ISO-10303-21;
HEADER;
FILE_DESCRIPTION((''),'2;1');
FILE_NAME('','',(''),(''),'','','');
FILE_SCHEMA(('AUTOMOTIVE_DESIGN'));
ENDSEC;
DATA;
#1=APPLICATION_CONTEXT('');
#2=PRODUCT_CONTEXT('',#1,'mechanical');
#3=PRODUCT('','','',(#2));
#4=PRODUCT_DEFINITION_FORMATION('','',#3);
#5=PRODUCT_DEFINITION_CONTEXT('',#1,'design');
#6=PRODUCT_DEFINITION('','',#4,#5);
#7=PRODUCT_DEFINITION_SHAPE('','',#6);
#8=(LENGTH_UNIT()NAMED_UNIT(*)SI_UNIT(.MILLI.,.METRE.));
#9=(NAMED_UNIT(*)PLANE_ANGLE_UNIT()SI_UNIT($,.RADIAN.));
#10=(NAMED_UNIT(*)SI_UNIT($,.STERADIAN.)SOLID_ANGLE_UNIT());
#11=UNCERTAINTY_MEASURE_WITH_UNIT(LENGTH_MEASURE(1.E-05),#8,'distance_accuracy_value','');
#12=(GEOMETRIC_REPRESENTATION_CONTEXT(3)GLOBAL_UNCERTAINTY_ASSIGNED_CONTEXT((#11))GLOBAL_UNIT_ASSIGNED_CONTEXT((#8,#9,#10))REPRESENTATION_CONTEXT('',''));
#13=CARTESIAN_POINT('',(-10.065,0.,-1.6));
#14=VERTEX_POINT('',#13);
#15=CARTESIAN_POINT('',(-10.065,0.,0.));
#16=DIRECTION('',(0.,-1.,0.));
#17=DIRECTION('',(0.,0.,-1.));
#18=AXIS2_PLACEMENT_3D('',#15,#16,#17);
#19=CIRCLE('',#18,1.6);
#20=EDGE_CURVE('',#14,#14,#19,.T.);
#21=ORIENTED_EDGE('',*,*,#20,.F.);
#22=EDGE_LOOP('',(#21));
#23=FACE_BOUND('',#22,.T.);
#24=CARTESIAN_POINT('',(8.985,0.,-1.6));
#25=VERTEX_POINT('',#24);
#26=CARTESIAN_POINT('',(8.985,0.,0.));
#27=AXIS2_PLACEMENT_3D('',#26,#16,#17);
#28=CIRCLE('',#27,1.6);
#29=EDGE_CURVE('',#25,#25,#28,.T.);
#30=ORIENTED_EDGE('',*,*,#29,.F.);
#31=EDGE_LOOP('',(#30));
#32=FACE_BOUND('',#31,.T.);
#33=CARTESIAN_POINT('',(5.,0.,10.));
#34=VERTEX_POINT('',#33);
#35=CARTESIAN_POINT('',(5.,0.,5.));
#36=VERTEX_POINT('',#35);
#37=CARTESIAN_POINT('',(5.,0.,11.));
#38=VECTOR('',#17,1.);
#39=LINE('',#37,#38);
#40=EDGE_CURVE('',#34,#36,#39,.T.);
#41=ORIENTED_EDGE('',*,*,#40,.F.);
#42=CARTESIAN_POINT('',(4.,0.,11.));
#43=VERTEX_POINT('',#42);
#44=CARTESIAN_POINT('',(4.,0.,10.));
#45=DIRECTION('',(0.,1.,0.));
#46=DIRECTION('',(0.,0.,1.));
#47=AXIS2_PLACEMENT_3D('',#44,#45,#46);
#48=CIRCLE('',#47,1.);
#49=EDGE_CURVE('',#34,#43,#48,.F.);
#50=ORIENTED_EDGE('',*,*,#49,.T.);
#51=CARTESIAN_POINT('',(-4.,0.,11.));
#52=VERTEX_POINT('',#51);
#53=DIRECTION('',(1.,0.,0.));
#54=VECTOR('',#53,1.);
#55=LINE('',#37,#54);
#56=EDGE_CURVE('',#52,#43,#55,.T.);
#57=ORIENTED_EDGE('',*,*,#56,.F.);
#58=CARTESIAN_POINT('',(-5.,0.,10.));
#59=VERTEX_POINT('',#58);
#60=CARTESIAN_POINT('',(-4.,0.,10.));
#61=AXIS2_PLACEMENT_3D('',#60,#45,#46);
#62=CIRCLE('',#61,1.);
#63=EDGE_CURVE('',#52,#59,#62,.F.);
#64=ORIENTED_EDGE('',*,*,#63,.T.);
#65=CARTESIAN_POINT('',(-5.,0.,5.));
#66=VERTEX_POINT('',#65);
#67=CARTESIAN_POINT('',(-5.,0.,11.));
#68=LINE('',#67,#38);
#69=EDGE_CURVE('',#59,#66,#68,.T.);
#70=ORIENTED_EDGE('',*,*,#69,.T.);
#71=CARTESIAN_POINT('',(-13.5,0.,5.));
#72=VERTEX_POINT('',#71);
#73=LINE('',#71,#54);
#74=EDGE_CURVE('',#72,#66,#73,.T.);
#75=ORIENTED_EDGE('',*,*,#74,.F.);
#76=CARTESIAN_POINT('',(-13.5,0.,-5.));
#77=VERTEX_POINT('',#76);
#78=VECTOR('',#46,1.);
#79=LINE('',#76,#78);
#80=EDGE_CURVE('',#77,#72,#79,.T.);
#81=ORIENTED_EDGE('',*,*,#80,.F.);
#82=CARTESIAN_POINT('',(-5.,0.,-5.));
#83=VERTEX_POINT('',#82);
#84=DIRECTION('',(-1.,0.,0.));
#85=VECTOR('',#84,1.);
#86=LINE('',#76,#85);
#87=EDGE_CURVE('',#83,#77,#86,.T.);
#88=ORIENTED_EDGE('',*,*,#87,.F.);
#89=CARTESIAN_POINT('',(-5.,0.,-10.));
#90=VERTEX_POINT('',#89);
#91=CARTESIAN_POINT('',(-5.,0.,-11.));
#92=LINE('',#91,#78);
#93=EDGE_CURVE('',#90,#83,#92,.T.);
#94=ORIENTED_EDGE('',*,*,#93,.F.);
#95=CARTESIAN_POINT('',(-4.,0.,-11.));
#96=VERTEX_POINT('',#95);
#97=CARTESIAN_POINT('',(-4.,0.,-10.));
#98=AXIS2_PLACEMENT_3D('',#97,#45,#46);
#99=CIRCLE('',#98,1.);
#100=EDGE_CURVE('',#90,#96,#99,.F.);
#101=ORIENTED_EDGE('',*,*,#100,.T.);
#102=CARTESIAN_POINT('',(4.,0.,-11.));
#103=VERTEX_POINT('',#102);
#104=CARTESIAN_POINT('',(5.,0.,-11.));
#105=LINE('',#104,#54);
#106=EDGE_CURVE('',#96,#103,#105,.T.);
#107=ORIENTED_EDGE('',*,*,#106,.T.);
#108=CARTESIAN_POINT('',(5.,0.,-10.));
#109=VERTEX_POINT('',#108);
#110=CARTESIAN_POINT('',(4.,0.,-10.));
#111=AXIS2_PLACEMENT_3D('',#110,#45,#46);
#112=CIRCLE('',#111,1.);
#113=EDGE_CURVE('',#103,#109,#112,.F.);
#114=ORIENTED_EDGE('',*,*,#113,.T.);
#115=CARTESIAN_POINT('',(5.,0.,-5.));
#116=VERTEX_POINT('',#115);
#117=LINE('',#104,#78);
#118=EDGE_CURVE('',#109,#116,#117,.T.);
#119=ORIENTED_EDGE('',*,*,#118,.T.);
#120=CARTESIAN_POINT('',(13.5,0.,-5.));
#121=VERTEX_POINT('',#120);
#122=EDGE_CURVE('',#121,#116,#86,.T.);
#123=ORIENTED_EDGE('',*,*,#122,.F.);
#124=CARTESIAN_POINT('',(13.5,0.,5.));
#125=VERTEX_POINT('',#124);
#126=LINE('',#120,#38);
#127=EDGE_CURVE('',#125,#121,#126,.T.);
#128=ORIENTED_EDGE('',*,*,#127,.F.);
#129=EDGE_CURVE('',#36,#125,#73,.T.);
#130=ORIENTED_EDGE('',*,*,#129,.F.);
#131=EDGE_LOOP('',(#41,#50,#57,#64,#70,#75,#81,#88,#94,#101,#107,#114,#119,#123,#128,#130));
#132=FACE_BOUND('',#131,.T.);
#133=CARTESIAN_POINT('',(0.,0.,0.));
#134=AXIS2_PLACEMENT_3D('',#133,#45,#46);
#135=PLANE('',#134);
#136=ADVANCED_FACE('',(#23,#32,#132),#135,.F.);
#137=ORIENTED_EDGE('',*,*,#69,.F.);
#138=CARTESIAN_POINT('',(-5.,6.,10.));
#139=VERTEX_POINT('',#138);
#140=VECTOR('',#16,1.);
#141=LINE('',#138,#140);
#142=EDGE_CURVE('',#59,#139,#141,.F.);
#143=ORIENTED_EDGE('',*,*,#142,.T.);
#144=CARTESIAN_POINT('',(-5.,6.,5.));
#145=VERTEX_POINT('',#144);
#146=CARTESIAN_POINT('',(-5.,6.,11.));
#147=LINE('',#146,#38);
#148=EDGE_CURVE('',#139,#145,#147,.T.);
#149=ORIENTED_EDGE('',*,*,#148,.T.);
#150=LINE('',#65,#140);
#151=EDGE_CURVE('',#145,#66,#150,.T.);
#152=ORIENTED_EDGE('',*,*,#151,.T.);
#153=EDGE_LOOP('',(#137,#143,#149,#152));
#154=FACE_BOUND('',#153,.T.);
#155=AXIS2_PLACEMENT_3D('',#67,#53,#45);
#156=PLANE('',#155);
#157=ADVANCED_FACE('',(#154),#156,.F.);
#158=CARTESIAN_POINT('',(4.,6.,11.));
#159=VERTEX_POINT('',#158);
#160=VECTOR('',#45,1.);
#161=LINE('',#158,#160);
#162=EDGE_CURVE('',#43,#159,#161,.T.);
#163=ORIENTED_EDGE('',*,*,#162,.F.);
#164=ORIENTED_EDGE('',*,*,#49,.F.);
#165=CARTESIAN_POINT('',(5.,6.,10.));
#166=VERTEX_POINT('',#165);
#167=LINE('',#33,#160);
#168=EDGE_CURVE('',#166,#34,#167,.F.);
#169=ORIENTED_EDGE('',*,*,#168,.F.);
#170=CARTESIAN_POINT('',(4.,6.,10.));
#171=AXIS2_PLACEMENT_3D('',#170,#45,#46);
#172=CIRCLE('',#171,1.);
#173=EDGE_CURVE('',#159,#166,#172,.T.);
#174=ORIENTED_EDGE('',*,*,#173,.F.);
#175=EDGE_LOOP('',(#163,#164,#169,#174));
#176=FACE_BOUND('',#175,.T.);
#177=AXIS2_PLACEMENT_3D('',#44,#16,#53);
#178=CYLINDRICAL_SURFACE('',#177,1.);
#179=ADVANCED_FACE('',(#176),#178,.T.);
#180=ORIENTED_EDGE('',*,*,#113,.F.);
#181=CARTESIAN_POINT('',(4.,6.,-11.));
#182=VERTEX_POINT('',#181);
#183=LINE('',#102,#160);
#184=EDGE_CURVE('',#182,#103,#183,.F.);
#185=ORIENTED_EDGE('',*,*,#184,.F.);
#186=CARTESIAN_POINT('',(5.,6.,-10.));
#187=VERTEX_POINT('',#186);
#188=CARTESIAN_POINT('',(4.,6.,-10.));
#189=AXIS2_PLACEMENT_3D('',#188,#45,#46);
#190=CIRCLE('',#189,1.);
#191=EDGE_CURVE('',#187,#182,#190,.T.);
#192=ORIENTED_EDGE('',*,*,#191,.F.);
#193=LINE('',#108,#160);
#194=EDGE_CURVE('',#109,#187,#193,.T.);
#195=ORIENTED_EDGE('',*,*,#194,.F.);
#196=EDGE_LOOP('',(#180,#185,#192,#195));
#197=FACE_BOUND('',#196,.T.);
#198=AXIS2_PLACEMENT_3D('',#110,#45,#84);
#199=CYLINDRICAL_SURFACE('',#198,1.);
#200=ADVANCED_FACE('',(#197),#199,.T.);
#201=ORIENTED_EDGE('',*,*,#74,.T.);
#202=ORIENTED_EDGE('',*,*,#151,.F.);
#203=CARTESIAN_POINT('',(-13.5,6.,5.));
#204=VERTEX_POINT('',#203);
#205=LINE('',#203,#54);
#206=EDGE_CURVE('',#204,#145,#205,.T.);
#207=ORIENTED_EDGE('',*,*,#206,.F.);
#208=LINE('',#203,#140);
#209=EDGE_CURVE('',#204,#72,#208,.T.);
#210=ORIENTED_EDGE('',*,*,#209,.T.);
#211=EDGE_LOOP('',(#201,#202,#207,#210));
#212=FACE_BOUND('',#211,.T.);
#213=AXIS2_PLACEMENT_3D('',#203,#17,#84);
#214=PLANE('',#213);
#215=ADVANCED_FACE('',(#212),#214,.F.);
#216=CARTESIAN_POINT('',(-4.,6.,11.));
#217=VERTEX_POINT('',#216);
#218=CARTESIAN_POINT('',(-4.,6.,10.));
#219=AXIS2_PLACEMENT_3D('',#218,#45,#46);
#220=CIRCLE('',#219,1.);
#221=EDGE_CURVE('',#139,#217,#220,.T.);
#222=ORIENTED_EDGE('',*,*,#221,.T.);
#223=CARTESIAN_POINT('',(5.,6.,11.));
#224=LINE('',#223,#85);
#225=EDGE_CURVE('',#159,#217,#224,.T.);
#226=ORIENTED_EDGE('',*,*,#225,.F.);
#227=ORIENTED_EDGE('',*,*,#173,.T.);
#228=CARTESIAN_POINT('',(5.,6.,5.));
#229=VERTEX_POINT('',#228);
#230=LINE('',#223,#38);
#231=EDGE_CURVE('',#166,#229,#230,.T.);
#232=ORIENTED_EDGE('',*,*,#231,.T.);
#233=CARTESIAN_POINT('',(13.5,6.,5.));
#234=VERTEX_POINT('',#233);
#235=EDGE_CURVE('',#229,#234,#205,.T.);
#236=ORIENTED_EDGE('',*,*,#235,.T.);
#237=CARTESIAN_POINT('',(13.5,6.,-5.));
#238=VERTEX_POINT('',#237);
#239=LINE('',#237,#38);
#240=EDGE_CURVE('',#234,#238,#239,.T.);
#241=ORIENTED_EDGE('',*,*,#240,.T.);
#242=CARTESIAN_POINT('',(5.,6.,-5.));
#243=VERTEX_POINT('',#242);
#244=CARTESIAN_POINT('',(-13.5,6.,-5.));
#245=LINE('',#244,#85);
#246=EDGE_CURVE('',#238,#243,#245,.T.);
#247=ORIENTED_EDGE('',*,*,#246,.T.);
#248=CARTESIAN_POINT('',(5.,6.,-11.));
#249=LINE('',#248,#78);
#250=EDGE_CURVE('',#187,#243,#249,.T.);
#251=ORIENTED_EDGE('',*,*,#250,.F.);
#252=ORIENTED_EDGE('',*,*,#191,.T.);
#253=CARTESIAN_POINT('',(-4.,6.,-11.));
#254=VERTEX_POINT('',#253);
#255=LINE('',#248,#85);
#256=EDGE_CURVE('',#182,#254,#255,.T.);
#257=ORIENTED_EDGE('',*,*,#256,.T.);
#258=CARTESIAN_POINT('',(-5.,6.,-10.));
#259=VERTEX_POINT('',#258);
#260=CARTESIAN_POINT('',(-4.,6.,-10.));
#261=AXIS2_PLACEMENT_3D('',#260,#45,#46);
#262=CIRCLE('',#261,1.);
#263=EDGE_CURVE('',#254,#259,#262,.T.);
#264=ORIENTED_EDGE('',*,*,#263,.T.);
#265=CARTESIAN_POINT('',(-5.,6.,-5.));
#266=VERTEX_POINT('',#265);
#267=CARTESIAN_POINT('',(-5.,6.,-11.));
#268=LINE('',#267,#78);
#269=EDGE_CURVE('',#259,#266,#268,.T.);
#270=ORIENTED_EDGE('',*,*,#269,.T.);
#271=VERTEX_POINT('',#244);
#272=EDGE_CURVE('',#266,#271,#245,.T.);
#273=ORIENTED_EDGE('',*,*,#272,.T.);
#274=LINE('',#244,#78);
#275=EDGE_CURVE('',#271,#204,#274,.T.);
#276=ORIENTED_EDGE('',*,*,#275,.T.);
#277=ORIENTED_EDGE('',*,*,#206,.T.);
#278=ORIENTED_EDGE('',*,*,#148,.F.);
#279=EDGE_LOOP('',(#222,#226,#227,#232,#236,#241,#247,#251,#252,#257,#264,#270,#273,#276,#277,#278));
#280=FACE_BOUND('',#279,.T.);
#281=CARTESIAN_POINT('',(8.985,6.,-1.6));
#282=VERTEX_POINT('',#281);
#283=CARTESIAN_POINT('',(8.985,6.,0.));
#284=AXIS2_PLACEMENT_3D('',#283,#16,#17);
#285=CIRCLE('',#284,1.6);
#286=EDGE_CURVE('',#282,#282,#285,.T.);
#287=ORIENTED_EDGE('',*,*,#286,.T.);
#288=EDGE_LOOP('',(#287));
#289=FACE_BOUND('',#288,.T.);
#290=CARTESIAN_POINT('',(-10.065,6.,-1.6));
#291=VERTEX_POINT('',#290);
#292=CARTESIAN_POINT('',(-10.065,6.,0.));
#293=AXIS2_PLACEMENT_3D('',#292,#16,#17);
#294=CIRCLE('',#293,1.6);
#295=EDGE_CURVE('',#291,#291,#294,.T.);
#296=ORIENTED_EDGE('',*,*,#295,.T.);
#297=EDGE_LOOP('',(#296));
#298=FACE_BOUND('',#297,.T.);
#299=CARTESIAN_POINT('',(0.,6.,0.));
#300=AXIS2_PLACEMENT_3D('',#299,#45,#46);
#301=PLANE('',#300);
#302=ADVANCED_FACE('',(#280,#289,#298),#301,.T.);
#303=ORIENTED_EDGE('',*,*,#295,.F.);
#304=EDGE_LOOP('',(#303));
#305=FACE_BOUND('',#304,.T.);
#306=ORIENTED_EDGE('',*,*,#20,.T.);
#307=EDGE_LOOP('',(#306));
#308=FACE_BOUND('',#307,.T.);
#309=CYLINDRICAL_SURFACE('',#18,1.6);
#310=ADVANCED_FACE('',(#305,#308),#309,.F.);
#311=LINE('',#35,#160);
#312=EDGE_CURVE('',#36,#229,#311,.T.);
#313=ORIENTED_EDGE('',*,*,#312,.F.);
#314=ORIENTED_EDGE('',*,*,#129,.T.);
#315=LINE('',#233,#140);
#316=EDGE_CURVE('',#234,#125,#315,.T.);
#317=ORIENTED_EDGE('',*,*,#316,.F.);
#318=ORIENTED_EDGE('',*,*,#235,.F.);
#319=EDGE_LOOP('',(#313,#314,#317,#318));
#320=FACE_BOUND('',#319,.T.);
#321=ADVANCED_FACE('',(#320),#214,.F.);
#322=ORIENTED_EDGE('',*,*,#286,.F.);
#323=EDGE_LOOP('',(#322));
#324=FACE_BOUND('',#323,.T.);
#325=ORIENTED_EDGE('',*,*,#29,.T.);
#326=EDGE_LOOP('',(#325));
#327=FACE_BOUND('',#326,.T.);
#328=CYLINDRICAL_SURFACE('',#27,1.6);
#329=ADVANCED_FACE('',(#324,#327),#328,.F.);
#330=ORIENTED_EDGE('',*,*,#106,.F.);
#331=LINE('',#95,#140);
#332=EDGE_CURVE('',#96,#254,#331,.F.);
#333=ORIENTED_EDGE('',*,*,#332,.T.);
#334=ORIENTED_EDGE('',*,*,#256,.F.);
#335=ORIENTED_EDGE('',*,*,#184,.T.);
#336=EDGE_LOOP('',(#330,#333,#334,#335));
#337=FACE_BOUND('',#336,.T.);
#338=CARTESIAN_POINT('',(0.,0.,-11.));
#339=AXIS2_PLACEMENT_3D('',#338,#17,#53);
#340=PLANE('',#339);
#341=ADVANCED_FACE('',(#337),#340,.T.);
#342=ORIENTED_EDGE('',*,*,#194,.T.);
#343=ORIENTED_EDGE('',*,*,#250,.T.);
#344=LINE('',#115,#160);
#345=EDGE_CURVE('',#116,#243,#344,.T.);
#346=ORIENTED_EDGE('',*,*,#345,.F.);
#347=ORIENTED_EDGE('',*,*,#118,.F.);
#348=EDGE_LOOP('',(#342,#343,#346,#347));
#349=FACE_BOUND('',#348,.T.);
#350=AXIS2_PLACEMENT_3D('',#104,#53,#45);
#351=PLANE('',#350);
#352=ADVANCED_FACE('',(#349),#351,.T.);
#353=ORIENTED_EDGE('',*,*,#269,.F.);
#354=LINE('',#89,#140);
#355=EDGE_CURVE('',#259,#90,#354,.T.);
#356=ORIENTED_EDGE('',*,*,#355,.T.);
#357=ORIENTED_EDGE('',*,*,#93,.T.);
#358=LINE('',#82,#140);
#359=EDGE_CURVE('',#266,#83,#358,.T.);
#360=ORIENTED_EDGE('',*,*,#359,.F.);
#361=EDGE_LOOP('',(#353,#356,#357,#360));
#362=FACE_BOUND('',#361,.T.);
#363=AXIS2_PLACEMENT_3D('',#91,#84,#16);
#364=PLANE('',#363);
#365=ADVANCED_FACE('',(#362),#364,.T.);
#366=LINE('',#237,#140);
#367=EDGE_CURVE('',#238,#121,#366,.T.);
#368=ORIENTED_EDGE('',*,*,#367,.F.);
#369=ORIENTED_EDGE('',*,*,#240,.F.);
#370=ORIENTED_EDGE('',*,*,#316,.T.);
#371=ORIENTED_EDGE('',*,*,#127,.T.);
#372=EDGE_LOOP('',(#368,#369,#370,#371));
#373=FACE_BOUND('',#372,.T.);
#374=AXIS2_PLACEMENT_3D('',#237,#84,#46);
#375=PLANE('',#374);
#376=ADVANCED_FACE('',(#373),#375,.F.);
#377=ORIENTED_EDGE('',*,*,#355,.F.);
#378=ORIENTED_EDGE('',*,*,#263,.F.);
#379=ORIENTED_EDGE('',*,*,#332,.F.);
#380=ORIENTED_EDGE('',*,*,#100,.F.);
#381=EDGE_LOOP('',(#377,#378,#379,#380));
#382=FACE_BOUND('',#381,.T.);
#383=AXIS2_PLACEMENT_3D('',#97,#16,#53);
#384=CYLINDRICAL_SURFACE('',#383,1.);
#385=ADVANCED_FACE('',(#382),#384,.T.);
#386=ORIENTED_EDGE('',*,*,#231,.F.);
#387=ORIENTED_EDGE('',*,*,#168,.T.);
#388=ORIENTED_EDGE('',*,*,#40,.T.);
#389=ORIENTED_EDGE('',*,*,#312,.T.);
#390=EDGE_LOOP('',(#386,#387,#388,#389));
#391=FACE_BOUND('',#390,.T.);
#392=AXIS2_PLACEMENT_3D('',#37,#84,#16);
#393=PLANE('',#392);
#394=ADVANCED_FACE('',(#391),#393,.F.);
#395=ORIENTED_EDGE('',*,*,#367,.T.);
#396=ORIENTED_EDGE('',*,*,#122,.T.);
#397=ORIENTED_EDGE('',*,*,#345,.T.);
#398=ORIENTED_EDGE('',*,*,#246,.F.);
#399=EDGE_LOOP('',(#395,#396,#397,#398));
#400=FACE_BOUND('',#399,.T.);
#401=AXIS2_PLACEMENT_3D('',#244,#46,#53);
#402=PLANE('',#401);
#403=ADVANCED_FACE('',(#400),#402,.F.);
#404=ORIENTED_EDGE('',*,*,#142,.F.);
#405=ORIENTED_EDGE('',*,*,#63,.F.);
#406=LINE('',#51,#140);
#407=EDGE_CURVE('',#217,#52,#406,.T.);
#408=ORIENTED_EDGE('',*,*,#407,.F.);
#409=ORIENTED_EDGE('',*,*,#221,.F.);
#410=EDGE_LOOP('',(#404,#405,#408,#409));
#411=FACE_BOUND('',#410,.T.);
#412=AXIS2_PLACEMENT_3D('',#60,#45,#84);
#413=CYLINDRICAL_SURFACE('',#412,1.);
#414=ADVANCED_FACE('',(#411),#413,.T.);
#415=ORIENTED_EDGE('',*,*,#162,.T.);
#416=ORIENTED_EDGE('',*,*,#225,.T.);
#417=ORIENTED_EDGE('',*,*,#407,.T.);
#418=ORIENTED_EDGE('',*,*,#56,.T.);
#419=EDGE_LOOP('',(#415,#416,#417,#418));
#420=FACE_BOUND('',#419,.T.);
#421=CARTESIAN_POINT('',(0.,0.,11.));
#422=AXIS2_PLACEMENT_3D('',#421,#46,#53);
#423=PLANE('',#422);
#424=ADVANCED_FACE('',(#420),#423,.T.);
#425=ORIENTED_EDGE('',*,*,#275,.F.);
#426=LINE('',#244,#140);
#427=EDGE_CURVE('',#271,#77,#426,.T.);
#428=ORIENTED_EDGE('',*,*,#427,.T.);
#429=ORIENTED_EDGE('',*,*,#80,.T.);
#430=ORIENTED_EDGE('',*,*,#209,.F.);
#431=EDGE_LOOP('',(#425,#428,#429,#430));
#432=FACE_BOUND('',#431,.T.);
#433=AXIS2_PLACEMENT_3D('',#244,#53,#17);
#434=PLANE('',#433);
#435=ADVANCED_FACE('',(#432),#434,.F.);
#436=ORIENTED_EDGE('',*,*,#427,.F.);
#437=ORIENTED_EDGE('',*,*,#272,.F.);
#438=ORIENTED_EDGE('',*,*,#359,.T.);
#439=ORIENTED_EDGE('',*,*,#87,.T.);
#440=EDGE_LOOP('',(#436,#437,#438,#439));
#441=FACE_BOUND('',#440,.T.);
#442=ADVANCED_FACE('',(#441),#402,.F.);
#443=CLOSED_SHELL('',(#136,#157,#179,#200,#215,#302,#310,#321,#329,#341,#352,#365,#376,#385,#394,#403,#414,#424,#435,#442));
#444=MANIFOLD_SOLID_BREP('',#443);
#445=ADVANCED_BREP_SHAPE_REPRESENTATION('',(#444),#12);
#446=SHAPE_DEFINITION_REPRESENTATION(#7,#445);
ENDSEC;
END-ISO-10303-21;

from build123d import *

# Parameters (mm, degrees)
SKETCH1_W              = 27
SKETCH1_H              = 10
BOSS_EXTRUDE1_DEPTH    = 6
M3_CLEARANCE_HOLE1_D   = 3.2
SKETCH234_W            = 10
SKETCH234_H            = 6
BOSS_EXTRUDE234_DEPTH  = 6
FILLET134_R            = 1
FILLET134_OF_MIRROR1_R = 1


with BuildPart() as part:
    # Sketch1 → Boss-Extrude1 (new body)
    with BuildSketch(Plane(origin=(0, 0, 0), x_dir=(1, 0, 0), z_dir=(0, 1, 0))):
        Rectangle(SKETCH1_W, SKETCH1_H)
    extrude(amount=BOSS_EXTRUDE1_DEPTH)

    # M3 Clearance Hole1 (through all)
    with Locations(Plane(origin=(0, 0, 0), x_dir=(-1, 0, 0), z_dir=(0, -1, 0))):
        with Locations((10.065, 0), (-8.985, 0)):
            Hole(M3_CLEARANCE_HOLE1_D / 2)

    # Sketch234 → Boss-Extrude234 (add)
    with BuildSketch(Plane(origin=(0.767778608, 6, 5), x_dir=(-1, 0, 0), z_dir=(0, 0, 1))):
        with Locations((0.767778608, 3)):
            Rectangle(SKETCH234_W, SKETCH234_H)
    boss_extrude234 = extrude(amount=BOSS_EXTRUDE234_DEPTH)

    # Fillet134
    fillet134_edges = [part.edges().sort_by_distance(p)[0] for p in [
        (5, 3, 11),
        (-5, 3, 11),
    ]]
    fillet(fillet134_edges, radius=FILLET134_R)

    # Mirror1: Boss-Extrude234 across plane
    add(boss_extrude234.mirror(Plane.XY))

    # Fillet134 of Mirror1
    fillet134_of_mirror1_edges = [part.edges().sort_by_distance(p)[0] for p in [
        (5, 3, -11),
        (-5, 3, -11),
    ]]
    fillet(fillet134_of_mirror1_edges, radius=FILLET134_OF_MIRROR1_R)


solid = part.part
